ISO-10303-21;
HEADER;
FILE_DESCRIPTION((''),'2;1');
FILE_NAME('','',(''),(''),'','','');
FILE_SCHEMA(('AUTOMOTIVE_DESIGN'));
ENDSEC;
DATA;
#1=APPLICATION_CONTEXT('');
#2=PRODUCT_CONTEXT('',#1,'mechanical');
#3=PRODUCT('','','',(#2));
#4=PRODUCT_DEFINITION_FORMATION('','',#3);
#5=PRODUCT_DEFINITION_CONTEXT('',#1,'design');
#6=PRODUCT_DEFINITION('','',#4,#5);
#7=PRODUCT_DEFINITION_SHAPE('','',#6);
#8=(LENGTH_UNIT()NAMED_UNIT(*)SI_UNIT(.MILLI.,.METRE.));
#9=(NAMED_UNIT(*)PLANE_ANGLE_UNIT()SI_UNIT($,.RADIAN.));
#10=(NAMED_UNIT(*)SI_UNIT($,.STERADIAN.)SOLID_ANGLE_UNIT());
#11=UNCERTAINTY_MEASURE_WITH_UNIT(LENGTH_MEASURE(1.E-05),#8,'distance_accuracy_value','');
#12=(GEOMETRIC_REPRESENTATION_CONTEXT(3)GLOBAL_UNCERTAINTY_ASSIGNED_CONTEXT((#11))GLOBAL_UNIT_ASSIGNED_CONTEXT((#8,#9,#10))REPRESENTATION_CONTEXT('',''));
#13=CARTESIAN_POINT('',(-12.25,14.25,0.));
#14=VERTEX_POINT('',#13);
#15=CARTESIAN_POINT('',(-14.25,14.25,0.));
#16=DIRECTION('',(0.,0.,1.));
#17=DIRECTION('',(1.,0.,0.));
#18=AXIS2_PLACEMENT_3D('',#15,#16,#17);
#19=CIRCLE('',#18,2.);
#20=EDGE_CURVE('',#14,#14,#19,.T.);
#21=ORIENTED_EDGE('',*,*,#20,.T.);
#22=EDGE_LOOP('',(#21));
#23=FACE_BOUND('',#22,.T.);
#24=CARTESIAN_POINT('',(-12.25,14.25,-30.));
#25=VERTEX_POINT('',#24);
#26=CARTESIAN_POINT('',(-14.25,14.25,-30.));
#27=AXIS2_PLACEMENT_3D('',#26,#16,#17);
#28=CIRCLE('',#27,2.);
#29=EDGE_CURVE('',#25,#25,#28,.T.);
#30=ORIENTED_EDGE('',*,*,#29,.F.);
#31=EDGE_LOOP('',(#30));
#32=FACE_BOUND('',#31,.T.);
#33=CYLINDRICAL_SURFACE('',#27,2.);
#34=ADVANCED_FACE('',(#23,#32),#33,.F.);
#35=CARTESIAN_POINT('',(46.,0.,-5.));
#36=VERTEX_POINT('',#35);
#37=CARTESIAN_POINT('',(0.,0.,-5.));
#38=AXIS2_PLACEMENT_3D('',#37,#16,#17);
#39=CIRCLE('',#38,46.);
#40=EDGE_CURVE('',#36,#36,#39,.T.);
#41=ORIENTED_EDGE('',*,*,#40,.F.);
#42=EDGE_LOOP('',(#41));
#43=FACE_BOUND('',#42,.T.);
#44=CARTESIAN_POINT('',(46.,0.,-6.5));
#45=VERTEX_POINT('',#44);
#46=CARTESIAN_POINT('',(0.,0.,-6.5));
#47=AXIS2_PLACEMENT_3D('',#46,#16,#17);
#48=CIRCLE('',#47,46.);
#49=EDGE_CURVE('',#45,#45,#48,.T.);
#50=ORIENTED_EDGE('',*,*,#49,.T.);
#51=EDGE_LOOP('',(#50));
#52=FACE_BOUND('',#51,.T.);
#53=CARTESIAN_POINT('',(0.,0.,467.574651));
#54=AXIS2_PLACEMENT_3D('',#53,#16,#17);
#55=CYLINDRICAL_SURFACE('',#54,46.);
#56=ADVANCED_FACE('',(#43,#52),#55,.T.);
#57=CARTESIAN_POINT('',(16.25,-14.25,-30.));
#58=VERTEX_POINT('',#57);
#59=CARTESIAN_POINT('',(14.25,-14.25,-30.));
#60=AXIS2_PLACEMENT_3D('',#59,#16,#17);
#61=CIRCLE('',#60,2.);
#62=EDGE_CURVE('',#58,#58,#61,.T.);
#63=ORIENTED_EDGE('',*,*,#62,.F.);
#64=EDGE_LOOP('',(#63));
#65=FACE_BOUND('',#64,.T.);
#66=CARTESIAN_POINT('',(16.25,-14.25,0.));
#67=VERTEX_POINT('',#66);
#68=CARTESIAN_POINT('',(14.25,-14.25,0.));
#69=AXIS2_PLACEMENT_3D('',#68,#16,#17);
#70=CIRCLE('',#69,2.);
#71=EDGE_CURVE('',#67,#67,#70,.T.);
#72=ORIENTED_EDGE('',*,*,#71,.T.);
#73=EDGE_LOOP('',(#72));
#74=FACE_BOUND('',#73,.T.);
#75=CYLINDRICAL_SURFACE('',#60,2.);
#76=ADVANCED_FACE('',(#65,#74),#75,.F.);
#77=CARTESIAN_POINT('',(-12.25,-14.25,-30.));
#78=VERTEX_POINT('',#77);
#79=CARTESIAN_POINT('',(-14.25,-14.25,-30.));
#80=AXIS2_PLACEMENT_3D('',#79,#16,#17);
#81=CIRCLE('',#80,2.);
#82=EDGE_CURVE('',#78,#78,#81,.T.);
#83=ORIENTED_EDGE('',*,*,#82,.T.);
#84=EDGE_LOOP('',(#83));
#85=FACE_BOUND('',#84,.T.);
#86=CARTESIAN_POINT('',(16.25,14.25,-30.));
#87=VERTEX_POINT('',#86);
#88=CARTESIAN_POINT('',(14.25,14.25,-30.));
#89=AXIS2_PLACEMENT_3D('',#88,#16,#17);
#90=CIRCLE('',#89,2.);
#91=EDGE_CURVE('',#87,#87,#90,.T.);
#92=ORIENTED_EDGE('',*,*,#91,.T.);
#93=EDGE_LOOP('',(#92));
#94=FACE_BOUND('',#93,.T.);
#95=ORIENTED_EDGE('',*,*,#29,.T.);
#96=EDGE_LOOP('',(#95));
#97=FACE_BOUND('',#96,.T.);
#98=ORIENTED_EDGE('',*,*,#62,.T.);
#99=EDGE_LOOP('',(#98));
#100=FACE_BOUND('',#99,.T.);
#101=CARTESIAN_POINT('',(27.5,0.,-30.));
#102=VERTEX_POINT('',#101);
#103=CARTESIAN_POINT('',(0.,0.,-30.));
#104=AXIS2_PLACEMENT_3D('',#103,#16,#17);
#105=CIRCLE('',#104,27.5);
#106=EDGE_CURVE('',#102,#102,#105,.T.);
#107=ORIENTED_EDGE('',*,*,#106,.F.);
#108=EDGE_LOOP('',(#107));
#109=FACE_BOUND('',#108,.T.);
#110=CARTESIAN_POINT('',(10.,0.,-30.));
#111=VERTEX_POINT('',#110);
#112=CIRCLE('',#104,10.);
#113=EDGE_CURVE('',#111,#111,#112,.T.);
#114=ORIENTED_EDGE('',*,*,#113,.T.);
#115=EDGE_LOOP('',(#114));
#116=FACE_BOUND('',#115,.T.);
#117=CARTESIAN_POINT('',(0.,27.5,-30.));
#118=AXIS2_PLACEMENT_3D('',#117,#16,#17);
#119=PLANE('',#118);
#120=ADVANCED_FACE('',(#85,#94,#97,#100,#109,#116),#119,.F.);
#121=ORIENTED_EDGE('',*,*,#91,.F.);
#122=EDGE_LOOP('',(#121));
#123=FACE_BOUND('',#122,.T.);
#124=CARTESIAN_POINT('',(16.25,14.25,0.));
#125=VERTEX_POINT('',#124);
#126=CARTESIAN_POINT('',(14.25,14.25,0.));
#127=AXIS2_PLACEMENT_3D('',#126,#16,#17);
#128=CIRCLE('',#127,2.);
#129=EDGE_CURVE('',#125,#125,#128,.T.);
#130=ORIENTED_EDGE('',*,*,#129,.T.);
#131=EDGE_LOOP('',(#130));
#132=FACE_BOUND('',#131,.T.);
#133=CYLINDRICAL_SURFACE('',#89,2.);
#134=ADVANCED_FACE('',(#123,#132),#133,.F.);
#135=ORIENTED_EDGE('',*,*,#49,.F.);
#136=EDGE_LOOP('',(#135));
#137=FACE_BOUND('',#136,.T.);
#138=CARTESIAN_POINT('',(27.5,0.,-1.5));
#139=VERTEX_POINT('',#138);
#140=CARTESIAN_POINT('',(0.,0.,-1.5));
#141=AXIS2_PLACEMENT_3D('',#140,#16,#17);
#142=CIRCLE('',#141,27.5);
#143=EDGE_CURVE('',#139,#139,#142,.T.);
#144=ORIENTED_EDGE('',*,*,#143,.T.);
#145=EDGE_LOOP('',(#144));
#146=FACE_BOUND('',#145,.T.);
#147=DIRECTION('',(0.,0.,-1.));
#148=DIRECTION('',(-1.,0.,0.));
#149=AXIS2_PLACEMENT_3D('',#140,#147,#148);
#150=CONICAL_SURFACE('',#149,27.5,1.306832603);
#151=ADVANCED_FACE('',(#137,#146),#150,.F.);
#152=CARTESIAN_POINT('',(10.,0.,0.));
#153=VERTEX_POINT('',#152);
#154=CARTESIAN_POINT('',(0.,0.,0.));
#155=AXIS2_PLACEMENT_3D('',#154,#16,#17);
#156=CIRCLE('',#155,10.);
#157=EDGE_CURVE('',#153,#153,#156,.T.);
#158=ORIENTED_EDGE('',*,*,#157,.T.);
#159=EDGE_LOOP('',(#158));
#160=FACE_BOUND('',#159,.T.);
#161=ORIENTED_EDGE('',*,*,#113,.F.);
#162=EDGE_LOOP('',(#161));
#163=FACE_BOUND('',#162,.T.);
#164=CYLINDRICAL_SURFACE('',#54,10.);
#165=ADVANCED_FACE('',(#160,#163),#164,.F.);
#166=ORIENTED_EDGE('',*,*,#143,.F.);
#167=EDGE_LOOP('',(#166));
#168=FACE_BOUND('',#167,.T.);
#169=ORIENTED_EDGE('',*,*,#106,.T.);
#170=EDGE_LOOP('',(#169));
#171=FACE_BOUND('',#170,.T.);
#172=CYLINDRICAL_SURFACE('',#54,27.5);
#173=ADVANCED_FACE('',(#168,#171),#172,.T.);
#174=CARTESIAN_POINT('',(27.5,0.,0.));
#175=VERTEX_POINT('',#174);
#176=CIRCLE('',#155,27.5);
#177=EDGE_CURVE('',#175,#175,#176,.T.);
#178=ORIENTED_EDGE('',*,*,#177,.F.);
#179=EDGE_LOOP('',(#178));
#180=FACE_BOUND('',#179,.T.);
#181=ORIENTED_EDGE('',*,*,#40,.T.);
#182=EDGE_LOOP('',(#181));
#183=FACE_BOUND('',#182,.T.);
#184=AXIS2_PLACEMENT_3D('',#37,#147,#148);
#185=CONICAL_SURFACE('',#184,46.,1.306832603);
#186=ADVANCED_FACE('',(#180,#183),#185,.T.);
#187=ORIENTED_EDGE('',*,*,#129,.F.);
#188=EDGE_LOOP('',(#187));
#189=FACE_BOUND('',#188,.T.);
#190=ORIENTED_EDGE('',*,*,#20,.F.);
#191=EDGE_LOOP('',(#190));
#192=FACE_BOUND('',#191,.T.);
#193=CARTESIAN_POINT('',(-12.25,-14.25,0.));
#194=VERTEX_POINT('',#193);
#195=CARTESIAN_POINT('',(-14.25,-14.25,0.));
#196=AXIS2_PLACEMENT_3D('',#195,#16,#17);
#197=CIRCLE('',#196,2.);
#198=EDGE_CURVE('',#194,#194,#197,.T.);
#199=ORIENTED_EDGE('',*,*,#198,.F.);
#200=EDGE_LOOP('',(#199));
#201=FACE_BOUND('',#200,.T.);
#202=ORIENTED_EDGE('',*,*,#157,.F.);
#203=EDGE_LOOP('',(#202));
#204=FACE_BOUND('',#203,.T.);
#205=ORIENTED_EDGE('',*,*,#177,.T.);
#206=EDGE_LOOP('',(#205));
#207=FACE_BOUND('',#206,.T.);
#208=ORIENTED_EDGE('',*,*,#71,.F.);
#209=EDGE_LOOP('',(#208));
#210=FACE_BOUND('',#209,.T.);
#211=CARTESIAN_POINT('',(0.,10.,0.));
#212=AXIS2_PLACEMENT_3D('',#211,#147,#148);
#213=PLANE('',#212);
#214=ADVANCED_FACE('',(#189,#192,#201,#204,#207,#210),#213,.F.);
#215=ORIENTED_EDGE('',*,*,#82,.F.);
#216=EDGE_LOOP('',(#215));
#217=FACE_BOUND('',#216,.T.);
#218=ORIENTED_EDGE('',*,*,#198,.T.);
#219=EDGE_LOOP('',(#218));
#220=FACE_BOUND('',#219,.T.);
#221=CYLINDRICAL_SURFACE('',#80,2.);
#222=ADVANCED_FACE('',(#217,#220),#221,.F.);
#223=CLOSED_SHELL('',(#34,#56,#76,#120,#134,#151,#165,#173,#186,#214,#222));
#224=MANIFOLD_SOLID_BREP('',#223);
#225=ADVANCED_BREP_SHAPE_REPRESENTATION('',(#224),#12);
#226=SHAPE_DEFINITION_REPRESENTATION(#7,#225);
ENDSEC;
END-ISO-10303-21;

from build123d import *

# Parameters (mm, degrees)
SKETCH2_R          = 2
CUT_EXTRUDE1_DEPTH = 72.637978754


with BuildPart() as part:
    # Sketch1 → Revolve1 (revolve)
    with BuildSketch(Plane(origin=(0, 0, 0), x_dir=(0, 0, -1), z_dir=(1, 0, 0)), mode=Mode.PRIVATE) as revolve1_sk:
        Polygon((0, 10), (0, 27.5), (5, 46), (6.5, 46), (1.5, 27.5), (30, 27.5), (30, 10), align=None)
    revolve(revolve1_sk.sketch.rotate(Axis((0, 0, 467.574650711), (0, 0, -1)), 90), axis=Axis((0, 0, 467.574650711), (0, 0, -1)))

    # Sketch2 → Cut-Extrude1 (cut, through all)
    with BuildSketch(Plane.XY):
        with Locations((-14.25, 14.25)):
            Circle(SKETCH2_R)
        with Locations((14.25, 14.25)):
            Circle(SKETCH2_R)
        with Locations((14.25, -14.25)):
            Circle(SKETCH2_R)
        with Locations((-14.25, -14.25)):
            Circle(SKETCH2_R)
    extrude(amount=-CUT_EXTRUDE1_DEPTH, mode=Mode.SUBTRACT)


solid = part.part
